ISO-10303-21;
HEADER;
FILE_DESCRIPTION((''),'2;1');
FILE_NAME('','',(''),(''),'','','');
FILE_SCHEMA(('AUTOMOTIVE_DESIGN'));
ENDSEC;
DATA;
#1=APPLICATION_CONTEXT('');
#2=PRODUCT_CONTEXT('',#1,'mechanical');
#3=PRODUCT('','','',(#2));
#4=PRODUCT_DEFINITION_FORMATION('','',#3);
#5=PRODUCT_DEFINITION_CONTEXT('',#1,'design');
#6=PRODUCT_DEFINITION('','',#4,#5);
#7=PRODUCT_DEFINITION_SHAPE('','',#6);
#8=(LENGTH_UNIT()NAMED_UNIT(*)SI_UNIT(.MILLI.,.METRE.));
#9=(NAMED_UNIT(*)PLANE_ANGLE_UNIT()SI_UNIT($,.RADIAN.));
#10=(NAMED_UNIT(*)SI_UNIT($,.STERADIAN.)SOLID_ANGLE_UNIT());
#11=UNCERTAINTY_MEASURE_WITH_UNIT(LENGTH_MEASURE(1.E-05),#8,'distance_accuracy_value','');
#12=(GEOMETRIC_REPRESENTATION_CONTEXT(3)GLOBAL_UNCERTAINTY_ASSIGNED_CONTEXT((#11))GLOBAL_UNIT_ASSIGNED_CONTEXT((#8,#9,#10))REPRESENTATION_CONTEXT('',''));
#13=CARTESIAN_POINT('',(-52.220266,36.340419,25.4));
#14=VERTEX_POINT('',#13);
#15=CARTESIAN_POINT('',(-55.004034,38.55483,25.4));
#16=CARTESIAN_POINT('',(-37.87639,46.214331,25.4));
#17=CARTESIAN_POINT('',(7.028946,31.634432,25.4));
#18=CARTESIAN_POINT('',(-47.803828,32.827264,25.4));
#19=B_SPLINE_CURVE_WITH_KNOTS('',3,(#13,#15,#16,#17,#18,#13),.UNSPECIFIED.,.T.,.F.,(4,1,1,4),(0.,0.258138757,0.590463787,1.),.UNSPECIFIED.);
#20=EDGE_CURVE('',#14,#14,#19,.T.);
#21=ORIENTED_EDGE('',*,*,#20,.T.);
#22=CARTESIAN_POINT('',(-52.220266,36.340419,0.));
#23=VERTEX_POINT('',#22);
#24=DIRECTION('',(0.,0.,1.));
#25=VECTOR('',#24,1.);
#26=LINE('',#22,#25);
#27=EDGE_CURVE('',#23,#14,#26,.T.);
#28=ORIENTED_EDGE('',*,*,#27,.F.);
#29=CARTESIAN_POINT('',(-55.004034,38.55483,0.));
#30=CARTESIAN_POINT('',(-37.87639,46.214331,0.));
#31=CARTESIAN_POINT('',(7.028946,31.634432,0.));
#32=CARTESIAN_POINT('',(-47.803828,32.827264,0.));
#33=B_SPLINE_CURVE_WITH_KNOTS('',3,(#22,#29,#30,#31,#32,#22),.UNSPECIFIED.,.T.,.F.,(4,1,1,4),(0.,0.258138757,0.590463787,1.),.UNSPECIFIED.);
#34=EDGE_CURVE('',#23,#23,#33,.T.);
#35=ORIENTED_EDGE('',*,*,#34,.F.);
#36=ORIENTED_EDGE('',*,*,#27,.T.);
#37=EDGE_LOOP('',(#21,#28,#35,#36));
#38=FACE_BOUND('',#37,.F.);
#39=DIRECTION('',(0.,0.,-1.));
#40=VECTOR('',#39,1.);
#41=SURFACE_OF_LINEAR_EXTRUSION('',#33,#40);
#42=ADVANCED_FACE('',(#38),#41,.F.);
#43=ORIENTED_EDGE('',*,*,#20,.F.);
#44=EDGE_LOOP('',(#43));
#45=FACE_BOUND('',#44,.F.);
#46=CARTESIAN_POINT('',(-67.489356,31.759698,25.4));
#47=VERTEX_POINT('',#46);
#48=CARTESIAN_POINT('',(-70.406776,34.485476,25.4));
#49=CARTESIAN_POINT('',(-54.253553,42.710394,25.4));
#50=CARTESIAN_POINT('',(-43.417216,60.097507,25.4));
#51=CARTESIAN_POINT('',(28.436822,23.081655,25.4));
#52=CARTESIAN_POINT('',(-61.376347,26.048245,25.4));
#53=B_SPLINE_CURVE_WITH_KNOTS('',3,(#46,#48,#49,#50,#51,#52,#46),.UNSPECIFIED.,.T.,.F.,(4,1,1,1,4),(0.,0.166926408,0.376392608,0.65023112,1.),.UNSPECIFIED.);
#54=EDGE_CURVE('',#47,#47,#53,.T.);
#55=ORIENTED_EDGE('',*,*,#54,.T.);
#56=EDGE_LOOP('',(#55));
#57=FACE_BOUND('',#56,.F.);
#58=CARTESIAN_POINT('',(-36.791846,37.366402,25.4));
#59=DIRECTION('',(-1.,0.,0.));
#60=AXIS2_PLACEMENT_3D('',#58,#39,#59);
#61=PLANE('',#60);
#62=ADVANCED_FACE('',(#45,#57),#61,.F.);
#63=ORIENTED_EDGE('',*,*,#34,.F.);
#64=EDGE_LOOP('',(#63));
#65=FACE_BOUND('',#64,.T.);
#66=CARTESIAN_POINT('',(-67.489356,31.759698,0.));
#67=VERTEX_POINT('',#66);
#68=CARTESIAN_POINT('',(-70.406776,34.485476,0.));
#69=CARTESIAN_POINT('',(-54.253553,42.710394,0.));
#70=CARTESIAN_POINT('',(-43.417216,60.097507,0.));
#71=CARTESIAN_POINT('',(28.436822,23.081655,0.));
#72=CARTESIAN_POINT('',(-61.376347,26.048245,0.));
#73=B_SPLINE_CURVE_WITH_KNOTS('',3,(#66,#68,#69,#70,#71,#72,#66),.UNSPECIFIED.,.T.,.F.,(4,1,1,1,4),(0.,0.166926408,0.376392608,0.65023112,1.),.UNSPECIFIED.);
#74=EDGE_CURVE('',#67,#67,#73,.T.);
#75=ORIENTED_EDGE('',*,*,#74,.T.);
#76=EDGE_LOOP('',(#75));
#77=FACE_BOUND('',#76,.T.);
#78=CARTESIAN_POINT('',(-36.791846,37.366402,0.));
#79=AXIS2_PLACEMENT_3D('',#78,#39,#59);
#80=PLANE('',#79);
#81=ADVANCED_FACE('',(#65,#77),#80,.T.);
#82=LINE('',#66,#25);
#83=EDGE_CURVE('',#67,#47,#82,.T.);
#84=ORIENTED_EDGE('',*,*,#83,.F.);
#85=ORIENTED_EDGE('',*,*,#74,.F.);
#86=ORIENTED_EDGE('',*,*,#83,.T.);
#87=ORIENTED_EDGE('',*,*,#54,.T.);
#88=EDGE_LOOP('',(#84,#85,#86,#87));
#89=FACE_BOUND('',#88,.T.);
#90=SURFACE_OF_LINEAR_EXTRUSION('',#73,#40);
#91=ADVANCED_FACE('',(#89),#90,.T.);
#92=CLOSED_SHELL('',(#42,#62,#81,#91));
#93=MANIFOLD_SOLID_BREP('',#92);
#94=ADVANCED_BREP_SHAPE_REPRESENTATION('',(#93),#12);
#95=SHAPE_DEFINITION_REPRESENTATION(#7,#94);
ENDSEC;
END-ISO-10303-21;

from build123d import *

# Parameters (mm, degrees)
F1_DEPTH = 25.4


with BuildPart() as f1:
    # F0 (on Top) → F1 (new body)
    with BuildSketch(Plane.XY):
        with BuildLine():
            add(Edge.make_bspline(
                [(-67.4893558025, 31.7596979439), (-70.406775652, 34.485475821), (-54.2535526184, 42.7103940143), (-43.4172163799, 60.0975070178), (28.4368223273, 23.0816546616), (-61.3763465798, 26.048245304), (-67.4893558025, 31.7596979439)],
                knots=[0, 0, 0, 0, 0.1669264084, 0.3763926078, 0.6502311196, 1, 1, 1, 1], degree=3))
        make_face()
        with BuildLine():
            add(Edge.make_bspline(
                [(-52.2202663124, 36.340419203), (-55.0040342619, 38.5548302294), (-37.8763901157, 46.2143313839), (7.0289455199, 31.6344318856), (-47.8038284299, 32.8272640402), (-52.2202663124, 36.340419203)],
                knots=[0, 0, 0, 0, 0.2581387566, 0.5904637871, 1, 1, 1, 1], degree=3))
        make_face(mode=Mode.SUBTRACT)
    extrude(amount=F1_DEPTH)


solid = f1.part
